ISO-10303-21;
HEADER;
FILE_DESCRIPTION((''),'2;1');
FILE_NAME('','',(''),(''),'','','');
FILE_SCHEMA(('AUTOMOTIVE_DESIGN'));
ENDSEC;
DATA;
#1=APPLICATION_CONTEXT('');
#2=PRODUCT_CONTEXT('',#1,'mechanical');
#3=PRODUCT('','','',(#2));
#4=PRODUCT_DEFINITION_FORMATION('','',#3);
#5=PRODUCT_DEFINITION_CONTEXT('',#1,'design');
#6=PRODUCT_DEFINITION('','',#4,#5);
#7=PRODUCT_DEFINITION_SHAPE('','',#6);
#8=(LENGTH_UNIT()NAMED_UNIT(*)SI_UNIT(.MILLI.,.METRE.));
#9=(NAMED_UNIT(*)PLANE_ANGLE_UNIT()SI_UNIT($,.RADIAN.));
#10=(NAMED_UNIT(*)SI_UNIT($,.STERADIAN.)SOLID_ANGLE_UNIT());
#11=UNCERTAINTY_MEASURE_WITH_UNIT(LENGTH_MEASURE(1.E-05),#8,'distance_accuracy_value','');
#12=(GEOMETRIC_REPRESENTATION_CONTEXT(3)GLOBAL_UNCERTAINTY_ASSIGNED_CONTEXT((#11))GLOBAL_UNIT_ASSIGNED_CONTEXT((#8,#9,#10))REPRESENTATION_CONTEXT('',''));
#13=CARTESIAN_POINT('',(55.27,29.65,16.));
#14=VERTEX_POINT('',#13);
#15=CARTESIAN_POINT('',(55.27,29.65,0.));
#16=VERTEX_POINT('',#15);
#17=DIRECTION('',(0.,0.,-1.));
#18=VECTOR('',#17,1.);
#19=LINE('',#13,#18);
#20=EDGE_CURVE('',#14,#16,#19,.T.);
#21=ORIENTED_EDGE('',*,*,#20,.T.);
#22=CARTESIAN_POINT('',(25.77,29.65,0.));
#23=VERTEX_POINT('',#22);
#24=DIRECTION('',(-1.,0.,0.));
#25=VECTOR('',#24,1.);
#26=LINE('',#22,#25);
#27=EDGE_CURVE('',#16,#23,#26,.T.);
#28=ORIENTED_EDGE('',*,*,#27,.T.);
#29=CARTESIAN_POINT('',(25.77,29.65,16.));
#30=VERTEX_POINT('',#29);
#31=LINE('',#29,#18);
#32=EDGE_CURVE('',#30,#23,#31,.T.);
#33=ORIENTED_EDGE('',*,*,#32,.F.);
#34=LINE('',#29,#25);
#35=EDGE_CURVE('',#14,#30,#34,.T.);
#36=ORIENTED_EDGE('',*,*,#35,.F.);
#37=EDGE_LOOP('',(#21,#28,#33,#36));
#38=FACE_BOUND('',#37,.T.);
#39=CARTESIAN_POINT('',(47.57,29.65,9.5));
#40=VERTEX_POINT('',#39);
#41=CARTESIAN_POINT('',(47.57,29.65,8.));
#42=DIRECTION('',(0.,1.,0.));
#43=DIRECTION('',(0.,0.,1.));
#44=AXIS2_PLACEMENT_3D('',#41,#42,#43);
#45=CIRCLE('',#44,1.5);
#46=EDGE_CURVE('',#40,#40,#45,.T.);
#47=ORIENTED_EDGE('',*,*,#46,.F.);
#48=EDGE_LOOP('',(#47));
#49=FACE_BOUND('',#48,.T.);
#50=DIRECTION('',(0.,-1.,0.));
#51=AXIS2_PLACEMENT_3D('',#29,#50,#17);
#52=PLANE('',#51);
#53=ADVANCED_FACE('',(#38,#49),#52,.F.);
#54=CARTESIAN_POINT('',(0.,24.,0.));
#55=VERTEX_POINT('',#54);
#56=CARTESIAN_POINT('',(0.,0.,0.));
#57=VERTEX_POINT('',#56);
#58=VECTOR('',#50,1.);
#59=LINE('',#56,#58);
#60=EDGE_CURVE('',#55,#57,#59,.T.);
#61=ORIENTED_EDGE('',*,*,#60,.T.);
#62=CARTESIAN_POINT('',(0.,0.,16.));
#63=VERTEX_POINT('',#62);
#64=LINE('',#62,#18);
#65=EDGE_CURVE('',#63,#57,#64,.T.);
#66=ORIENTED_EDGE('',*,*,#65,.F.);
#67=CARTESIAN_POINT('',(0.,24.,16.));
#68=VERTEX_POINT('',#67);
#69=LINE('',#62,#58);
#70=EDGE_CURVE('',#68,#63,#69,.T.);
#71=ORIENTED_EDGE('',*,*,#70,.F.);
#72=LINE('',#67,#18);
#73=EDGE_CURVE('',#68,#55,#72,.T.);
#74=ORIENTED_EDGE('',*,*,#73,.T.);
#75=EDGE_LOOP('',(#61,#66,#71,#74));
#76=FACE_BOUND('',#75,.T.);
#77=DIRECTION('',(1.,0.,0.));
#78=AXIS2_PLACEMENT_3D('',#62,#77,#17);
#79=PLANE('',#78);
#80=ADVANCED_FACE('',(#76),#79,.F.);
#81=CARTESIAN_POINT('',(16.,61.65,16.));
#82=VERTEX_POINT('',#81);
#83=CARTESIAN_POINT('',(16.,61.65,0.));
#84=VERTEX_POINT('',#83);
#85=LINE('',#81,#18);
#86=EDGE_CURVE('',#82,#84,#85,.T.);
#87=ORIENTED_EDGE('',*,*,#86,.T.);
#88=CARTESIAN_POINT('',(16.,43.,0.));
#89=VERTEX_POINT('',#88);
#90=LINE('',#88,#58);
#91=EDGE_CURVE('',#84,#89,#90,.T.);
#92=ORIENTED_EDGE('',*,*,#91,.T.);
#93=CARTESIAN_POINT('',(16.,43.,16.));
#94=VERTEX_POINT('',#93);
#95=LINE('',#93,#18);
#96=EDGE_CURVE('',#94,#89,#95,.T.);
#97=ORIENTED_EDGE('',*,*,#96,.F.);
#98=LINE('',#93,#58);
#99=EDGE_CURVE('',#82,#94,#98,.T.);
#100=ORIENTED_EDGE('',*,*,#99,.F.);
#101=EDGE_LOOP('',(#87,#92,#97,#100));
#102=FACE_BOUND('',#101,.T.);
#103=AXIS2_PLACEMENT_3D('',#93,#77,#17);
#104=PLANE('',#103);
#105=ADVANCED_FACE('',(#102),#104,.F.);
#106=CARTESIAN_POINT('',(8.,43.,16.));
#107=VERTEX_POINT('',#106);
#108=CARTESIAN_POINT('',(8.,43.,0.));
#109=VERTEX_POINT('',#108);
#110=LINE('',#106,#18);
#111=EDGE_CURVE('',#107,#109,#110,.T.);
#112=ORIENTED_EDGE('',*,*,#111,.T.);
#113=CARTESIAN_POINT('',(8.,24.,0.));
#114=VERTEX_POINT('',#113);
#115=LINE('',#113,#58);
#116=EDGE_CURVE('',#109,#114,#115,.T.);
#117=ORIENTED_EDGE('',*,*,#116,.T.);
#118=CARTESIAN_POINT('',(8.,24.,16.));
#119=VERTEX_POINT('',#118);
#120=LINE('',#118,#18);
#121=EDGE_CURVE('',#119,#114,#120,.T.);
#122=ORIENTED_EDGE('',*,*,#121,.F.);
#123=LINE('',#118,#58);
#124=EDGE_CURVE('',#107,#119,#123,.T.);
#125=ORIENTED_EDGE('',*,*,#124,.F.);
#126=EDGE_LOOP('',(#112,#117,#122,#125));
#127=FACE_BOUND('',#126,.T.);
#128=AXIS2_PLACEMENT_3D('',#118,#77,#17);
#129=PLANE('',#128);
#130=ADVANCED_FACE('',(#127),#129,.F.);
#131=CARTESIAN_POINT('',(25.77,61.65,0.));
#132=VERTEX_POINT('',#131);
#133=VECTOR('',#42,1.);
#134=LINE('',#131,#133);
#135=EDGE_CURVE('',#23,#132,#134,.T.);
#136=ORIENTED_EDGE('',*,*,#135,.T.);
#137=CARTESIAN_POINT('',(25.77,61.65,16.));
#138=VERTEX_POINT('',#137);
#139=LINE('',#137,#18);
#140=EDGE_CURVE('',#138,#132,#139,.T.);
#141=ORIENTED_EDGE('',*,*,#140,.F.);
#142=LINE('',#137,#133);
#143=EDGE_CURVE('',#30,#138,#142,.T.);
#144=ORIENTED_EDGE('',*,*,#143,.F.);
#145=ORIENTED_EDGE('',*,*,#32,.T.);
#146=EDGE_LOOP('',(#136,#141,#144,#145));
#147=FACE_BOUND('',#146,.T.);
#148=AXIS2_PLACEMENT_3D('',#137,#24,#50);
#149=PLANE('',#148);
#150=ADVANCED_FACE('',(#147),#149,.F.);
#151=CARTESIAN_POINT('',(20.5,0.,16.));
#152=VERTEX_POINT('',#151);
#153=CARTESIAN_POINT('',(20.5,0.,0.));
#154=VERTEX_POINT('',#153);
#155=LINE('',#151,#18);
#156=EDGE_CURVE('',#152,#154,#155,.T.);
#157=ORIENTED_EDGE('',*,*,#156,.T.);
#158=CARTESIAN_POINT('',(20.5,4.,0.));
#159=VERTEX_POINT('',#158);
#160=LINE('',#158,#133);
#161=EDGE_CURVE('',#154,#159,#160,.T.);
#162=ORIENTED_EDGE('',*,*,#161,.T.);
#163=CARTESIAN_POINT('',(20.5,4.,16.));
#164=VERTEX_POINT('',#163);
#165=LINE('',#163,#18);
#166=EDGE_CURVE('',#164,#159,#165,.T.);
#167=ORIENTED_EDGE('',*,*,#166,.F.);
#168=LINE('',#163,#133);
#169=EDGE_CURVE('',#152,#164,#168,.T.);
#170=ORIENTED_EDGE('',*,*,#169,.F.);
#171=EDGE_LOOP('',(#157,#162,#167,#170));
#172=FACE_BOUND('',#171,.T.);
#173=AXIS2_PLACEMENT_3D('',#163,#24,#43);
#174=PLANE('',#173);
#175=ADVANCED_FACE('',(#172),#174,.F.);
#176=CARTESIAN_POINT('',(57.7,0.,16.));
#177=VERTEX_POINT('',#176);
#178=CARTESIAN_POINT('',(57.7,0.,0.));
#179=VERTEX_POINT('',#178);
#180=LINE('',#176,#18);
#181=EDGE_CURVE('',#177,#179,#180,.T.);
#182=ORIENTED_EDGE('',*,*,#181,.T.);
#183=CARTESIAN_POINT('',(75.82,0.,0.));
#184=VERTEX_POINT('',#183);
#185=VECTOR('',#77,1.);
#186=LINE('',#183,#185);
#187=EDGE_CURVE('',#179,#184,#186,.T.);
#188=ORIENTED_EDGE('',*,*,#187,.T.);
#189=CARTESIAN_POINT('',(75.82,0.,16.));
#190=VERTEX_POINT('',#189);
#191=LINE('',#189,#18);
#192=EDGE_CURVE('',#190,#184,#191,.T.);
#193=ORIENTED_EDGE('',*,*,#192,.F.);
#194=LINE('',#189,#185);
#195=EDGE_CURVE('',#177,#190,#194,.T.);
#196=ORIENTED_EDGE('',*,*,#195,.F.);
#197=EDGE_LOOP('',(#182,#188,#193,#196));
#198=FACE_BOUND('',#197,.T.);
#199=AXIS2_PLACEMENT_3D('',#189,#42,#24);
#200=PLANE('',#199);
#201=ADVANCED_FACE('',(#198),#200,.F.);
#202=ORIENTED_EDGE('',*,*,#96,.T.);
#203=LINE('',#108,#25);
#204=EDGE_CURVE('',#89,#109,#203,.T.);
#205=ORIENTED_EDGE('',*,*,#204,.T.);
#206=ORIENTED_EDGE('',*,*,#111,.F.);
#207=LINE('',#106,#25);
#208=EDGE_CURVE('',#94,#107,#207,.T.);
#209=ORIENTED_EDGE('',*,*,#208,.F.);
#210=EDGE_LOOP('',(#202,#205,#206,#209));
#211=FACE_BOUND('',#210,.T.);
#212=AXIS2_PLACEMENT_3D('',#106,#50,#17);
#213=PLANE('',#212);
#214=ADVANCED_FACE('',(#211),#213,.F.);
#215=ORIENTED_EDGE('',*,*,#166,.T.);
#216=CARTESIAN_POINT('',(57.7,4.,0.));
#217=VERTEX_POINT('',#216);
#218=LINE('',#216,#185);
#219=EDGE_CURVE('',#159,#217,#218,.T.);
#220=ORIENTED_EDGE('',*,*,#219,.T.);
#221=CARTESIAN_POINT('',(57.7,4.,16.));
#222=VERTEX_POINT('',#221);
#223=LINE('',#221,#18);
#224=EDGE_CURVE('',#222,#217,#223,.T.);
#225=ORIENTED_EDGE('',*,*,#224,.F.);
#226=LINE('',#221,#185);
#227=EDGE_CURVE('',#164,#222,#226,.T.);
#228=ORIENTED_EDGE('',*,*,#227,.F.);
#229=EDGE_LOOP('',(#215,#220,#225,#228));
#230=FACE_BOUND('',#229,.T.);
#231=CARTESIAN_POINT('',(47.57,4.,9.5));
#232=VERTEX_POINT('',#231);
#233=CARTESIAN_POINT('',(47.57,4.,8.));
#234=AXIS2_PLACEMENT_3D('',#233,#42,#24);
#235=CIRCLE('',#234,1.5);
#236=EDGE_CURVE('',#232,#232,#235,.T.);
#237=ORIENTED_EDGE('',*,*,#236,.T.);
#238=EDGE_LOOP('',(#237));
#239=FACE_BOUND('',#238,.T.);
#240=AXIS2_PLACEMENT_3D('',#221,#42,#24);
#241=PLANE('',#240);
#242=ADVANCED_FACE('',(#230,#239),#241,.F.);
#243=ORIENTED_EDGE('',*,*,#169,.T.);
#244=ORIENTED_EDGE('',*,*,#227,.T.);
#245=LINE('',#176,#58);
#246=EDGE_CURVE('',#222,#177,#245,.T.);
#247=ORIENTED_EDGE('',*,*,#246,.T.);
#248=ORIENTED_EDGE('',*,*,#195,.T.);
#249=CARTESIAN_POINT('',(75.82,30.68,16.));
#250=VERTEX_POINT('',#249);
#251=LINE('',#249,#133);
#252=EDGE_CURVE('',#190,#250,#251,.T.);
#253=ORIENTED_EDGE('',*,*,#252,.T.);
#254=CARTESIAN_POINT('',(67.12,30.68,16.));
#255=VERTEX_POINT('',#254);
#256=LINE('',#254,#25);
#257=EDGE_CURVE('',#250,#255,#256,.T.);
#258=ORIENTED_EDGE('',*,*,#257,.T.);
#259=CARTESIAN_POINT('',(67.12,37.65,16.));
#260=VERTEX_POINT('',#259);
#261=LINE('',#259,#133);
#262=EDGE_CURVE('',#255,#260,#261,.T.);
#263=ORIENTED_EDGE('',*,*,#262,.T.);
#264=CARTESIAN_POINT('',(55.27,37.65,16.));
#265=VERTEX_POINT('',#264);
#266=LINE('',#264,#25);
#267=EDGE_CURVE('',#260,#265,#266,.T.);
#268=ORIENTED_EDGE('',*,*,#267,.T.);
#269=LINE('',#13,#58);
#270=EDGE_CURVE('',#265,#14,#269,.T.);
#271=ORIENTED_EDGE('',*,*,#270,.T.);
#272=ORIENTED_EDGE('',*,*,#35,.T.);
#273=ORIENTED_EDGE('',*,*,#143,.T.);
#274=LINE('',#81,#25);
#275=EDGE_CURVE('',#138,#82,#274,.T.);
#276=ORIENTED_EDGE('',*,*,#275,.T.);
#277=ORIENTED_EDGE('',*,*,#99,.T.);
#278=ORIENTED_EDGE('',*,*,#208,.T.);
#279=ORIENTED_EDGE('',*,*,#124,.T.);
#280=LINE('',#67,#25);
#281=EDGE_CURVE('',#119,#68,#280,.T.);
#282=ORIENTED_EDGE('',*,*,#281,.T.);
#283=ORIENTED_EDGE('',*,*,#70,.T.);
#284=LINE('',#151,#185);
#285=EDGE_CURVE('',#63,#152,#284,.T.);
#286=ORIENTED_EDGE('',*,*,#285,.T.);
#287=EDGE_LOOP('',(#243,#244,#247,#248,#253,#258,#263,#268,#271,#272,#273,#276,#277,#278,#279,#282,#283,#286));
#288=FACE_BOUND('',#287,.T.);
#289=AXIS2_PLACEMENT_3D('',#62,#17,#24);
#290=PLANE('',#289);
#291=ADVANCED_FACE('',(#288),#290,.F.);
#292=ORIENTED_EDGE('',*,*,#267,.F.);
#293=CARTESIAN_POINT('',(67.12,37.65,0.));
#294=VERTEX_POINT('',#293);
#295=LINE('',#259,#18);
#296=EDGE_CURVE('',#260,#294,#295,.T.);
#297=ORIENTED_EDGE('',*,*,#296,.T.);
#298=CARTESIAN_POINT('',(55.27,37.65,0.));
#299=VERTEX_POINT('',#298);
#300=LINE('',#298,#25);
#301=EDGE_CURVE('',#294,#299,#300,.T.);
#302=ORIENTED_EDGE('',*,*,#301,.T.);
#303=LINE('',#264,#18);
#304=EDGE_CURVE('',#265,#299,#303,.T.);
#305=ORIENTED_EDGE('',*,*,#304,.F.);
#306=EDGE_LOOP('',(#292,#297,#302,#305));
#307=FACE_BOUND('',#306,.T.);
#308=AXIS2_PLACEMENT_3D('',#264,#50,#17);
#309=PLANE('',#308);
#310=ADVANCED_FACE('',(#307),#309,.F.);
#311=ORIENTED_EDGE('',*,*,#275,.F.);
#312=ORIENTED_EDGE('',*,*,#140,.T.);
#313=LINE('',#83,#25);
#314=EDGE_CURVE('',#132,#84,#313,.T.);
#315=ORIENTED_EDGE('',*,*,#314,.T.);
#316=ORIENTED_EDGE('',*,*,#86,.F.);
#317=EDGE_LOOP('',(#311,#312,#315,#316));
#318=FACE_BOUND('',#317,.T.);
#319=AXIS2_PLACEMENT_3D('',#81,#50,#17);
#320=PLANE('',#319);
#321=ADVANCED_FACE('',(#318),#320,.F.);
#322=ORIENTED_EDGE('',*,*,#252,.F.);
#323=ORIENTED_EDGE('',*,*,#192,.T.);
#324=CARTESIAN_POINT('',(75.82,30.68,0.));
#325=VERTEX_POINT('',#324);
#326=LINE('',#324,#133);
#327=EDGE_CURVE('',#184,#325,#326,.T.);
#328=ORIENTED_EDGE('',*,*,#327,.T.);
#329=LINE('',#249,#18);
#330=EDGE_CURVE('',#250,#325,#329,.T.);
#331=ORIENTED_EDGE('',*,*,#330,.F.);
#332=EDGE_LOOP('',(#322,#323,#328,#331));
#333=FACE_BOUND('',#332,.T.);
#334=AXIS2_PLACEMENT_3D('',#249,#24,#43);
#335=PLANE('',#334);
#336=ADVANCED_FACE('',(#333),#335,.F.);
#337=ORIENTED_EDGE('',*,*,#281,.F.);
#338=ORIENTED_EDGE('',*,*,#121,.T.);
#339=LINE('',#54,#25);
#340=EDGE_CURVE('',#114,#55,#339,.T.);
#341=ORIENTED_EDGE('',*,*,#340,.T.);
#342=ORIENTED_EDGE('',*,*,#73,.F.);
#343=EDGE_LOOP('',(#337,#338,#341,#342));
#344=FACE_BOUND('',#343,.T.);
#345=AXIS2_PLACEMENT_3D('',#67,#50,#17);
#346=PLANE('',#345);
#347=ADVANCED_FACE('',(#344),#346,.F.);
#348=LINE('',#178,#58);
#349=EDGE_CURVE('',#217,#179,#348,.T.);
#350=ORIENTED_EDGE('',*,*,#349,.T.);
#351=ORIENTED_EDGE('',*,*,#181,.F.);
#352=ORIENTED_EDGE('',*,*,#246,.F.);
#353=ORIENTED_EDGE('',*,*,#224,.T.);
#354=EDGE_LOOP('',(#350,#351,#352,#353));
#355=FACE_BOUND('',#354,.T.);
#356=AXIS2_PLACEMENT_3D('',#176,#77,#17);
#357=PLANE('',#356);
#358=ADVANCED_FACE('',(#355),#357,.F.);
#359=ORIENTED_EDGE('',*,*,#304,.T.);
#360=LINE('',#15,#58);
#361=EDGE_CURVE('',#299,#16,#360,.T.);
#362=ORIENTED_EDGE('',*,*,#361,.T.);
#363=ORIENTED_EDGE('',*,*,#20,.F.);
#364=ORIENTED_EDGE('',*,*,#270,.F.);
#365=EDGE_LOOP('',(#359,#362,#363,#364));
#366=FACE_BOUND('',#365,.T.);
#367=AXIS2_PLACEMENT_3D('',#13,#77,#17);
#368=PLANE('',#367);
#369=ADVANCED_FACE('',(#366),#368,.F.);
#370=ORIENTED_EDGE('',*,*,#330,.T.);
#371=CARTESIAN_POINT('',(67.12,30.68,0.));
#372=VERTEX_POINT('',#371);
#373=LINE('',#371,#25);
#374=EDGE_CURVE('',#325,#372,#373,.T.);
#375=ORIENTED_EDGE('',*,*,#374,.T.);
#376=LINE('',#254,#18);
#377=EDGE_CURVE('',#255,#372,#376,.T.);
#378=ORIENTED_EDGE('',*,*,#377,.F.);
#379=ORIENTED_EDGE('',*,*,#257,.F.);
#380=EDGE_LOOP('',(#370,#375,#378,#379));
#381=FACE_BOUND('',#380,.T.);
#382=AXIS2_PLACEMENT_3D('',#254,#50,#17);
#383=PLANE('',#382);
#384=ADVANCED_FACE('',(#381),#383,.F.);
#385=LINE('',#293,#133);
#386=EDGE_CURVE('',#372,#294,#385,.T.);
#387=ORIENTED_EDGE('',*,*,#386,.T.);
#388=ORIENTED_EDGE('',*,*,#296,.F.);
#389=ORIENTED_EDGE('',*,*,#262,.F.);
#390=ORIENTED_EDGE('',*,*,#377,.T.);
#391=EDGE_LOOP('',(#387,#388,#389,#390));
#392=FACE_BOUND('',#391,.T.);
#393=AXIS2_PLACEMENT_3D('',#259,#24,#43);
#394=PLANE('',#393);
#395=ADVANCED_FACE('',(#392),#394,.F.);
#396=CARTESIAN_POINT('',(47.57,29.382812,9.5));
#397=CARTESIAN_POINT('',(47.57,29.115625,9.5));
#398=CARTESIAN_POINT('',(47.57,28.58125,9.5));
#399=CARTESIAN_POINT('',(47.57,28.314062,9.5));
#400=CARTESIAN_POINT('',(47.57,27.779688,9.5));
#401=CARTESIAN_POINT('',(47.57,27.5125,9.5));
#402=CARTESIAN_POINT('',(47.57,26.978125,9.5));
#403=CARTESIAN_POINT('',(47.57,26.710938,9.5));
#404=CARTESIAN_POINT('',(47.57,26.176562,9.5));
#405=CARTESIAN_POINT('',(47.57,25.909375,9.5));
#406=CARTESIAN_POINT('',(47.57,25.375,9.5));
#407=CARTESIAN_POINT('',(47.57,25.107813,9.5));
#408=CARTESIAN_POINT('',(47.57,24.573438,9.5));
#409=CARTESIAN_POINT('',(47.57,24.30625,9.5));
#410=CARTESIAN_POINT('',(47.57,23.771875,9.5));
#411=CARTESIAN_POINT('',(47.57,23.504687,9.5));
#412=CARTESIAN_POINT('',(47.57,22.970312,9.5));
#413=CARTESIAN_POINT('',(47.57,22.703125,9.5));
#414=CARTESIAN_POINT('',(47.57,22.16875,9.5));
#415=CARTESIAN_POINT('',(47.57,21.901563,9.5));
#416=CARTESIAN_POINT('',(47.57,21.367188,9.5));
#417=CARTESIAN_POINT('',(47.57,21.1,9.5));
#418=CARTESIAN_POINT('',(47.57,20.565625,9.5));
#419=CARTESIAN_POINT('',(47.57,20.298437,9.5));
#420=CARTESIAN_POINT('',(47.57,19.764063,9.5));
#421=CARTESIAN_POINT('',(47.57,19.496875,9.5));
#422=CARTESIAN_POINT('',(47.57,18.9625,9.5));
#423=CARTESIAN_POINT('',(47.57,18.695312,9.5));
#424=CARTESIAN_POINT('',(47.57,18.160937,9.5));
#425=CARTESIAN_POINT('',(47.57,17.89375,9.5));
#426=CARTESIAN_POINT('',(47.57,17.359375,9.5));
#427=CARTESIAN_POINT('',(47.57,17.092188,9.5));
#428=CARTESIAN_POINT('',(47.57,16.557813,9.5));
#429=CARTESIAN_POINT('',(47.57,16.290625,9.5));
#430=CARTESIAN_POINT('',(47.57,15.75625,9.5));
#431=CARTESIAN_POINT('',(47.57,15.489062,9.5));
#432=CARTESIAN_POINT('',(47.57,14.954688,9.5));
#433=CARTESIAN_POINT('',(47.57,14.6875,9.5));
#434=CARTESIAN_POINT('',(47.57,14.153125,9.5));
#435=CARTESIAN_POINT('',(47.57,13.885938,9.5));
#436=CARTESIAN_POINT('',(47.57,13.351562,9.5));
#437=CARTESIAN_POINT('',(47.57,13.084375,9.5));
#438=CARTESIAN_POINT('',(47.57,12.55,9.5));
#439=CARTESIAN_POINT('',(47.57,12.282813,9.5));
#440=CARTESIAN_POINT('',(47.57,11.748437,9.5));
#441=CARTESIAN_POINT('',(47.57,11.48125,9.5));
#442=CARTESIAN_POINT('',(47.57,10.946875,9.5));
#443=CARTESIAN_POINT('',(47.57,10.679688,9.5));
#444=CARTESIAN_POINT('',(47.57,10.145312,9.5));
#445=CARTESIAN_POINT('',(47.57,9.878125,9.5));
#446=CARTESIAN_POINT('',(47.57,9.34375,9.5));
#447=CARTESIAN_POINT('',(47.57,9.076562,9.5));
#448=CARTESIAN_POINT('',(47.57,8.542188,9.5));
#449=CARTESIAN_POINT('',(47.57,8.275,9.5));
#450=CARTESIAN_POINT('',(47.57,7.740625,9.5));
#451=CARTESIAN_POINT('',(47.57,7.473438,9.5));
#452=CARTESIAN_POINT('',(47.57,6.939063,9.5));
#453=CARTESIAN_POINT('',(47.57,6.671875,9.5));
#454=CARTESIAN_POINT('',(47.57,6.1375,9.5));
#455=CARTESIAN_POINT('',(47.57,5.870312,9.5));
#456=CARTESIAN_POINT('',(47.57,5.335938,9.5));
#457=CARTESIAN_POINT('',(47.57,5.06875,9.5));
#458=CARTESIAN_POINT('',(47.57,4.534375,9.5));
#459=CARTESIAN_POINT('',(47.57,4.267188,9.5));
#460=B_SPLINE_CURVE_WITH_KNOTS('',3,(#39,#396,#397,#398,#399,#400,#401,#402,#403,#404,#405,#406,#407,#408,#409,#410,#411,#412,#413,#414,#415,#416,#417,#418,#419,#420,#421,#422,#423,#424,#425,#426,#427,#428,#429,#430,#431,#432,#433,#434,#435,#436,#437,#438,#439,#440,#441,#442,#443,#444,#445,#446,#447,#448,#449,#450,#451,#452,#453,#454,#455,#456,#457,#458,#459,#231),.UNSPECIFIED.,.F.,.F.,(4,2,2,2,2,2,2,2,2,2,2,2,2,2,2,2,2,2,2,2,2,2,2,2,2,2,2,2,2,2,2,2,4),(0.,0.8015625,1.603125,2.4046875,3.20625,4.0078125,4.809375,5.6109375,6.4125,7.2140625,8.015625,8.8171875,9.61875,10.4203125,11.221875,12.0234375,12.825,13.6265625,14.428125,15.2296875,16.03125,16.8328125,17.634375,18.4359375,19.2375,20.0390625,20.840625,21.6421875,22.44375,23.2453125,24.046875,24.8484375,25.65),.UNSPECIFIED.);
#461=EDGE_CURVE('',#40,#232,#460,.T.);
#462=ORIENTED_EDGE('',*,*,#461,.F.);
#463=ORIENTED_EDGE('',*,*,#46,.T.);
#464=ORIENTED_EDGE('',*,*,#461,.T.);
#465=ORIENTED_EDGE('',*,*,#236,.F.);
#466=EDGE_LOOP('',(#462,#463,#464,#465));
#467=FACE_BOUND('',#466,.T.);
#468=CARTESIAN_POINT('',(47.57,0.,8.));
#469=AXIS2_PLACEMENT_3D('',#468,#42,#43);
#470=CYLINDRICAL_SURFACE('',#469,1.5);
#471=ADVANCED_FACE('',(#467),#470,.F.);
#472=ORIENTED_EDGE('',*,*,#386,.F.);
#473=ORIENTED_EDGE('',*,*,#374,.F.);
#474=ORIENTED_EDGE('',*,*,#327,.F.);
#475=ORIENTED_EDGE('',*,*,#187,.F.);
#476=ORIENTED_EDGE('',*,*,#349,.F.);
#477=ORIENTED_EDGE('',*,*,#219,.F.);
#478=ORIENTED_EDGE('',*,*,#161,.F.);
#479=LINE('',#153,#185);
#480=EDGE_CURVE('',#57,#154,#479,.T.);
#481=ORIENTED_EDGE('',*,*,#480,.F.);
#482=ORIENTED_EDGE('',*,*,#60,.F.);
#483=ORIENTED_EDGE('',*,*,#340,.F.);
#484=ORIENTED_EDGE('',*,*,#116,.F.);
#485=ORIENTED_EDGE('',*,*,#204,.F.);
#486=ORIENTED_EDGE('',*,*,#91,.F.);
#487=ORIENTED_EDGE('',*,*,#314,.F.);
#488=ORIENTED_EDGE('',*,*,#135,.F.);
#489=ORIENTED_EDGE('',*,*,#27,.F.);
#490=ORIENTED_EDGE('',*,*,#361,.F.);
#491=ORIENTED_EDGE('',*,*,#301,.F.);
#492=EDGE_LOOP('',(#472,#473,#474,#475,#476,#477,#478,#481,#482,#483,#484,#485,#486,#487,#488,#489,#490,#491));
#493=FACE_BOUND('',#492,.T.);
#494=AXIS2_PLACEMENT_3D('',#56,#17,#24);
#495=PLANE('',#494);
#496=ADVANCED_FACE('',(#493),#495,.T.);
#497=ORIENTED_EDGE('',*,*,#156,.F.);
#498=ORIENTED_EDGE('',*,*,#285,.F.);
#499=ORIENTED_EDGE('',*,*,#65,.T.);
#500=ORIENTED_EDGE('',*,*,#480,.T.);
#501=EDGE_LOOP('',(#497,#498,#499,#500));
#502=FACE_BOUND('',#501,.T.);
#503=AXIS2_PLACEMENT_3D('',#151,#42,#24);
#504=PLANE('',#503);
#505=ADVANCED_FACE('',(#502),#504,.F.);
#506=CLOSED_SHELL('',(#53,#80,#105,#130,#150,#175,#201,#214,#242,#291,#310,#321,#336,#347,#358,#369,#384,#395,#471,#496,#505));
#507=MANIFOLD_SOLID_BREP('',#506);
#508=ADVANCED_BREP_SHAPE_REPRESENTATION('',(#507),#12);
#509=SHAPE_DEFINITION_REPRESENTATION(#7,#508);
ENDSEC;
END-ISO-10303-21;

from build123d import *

# Parameters (mm, degrees)
BOSS_EXTRUDE1_DEPTH = 16
SKETCH2_R           = 1.5
CUT_EXTRUDE1_DEPTH  = 84.837177911


with BuildPart() as part:
    # Sketch1 → Boss-Extrude1 (new body)
    with BuildSketch(Plane.XY):
        Polygon((0, 0), (0, 24), (8, 24), (8, 43), (16, 43), (16, 61.65), (25.77, 61.65), (25.77, 29.65), (55.27, 29.65), (55.27, 37.65), (67.12, 37.65), (67.12, 30.68), (75.82, 30.68), (75.82, 0), (57.7, 0), (57.7, 4), (20.5, 4), (20.5, 0), align=None)
    extrude(amount=BOSS_EXTRUDE1_DEPTH)

    # Sketch2 → Cut-Extrude1 (cut, through all)
    with BuildSketch(Plane(origin=(0, 29.65, 0), x_dir=(1, 0, 0), z_dir=(0, 1, 0))):
        with Locations(Location((47.57, -8, 0), (0, 0, 270))):
            Circle(SKETCH2_R)
    extrude(amount=-CUT_EXTRUDE1_DEPTH, mode=Mode.SUBTRACT)


solid = part.part
